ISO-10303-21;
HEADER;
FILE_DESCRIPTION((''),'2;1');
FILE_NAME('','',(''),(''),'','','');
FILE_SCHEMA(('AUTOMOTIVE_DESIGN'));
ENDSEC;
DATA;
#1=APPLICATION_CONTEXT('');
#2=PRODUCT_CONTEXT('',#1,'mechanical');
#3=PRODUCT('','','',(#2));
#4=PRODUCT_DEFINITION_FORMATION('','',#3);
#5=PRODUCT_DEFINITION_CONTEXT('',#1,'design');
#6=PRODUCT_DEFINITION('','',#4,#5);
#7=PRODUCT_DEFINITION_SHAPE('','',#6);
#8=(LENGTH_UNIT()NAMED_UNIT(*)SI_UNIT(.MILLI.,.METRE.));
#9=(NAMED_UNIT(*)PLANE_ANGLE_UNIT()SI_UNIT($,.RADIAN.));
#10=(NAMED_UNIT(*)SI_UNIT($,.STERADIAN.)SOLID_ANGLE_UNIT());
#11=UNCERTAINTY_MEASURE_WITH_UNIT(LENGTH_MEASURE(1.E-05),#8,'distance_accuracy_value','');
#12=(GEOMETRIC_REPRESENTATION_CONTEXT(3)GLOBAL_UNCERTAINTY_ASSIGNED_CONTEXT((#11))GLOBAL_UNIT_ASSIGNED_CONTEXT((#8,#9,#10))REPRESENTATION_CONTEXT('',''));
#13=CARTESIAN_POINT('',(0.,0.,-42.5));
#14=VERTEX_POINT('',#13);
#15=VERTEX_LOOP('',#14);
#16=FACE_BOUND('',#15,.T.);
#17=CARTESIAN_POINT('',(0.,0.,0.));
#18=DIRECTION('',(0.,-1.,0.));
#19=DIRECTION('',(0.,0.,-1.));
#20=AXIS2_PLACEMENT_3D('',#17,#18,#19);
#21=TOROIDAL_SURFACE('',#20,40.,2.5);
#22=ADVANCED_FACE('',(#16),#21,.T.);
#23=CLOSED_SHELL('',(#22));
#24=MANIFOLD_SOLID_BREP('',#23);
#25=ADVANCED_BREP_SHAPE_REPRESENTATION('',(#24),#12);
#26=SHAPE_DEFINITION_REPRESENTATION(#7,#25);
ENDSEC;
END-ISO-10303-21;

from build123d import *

# Parameters (mm, degrees)
SKETCH1_R = 2.5


with BuildPart() as part:
    # Sketch1 → Revolve1 (revolve)
    with BuildSketch(Plane.XY, mode=Mode.PRIVATE) as revolve1_sk:
        with Locations((40, 0)):
            Circle(SKETCH1_R)
    revolve(revolve1_sk.sketch.rotate(Axis((0, 0, 0), (0, 1, 0)), 90), axis=Axis((0, 0, 0), (0, 1, 0)))


solid = part.part
